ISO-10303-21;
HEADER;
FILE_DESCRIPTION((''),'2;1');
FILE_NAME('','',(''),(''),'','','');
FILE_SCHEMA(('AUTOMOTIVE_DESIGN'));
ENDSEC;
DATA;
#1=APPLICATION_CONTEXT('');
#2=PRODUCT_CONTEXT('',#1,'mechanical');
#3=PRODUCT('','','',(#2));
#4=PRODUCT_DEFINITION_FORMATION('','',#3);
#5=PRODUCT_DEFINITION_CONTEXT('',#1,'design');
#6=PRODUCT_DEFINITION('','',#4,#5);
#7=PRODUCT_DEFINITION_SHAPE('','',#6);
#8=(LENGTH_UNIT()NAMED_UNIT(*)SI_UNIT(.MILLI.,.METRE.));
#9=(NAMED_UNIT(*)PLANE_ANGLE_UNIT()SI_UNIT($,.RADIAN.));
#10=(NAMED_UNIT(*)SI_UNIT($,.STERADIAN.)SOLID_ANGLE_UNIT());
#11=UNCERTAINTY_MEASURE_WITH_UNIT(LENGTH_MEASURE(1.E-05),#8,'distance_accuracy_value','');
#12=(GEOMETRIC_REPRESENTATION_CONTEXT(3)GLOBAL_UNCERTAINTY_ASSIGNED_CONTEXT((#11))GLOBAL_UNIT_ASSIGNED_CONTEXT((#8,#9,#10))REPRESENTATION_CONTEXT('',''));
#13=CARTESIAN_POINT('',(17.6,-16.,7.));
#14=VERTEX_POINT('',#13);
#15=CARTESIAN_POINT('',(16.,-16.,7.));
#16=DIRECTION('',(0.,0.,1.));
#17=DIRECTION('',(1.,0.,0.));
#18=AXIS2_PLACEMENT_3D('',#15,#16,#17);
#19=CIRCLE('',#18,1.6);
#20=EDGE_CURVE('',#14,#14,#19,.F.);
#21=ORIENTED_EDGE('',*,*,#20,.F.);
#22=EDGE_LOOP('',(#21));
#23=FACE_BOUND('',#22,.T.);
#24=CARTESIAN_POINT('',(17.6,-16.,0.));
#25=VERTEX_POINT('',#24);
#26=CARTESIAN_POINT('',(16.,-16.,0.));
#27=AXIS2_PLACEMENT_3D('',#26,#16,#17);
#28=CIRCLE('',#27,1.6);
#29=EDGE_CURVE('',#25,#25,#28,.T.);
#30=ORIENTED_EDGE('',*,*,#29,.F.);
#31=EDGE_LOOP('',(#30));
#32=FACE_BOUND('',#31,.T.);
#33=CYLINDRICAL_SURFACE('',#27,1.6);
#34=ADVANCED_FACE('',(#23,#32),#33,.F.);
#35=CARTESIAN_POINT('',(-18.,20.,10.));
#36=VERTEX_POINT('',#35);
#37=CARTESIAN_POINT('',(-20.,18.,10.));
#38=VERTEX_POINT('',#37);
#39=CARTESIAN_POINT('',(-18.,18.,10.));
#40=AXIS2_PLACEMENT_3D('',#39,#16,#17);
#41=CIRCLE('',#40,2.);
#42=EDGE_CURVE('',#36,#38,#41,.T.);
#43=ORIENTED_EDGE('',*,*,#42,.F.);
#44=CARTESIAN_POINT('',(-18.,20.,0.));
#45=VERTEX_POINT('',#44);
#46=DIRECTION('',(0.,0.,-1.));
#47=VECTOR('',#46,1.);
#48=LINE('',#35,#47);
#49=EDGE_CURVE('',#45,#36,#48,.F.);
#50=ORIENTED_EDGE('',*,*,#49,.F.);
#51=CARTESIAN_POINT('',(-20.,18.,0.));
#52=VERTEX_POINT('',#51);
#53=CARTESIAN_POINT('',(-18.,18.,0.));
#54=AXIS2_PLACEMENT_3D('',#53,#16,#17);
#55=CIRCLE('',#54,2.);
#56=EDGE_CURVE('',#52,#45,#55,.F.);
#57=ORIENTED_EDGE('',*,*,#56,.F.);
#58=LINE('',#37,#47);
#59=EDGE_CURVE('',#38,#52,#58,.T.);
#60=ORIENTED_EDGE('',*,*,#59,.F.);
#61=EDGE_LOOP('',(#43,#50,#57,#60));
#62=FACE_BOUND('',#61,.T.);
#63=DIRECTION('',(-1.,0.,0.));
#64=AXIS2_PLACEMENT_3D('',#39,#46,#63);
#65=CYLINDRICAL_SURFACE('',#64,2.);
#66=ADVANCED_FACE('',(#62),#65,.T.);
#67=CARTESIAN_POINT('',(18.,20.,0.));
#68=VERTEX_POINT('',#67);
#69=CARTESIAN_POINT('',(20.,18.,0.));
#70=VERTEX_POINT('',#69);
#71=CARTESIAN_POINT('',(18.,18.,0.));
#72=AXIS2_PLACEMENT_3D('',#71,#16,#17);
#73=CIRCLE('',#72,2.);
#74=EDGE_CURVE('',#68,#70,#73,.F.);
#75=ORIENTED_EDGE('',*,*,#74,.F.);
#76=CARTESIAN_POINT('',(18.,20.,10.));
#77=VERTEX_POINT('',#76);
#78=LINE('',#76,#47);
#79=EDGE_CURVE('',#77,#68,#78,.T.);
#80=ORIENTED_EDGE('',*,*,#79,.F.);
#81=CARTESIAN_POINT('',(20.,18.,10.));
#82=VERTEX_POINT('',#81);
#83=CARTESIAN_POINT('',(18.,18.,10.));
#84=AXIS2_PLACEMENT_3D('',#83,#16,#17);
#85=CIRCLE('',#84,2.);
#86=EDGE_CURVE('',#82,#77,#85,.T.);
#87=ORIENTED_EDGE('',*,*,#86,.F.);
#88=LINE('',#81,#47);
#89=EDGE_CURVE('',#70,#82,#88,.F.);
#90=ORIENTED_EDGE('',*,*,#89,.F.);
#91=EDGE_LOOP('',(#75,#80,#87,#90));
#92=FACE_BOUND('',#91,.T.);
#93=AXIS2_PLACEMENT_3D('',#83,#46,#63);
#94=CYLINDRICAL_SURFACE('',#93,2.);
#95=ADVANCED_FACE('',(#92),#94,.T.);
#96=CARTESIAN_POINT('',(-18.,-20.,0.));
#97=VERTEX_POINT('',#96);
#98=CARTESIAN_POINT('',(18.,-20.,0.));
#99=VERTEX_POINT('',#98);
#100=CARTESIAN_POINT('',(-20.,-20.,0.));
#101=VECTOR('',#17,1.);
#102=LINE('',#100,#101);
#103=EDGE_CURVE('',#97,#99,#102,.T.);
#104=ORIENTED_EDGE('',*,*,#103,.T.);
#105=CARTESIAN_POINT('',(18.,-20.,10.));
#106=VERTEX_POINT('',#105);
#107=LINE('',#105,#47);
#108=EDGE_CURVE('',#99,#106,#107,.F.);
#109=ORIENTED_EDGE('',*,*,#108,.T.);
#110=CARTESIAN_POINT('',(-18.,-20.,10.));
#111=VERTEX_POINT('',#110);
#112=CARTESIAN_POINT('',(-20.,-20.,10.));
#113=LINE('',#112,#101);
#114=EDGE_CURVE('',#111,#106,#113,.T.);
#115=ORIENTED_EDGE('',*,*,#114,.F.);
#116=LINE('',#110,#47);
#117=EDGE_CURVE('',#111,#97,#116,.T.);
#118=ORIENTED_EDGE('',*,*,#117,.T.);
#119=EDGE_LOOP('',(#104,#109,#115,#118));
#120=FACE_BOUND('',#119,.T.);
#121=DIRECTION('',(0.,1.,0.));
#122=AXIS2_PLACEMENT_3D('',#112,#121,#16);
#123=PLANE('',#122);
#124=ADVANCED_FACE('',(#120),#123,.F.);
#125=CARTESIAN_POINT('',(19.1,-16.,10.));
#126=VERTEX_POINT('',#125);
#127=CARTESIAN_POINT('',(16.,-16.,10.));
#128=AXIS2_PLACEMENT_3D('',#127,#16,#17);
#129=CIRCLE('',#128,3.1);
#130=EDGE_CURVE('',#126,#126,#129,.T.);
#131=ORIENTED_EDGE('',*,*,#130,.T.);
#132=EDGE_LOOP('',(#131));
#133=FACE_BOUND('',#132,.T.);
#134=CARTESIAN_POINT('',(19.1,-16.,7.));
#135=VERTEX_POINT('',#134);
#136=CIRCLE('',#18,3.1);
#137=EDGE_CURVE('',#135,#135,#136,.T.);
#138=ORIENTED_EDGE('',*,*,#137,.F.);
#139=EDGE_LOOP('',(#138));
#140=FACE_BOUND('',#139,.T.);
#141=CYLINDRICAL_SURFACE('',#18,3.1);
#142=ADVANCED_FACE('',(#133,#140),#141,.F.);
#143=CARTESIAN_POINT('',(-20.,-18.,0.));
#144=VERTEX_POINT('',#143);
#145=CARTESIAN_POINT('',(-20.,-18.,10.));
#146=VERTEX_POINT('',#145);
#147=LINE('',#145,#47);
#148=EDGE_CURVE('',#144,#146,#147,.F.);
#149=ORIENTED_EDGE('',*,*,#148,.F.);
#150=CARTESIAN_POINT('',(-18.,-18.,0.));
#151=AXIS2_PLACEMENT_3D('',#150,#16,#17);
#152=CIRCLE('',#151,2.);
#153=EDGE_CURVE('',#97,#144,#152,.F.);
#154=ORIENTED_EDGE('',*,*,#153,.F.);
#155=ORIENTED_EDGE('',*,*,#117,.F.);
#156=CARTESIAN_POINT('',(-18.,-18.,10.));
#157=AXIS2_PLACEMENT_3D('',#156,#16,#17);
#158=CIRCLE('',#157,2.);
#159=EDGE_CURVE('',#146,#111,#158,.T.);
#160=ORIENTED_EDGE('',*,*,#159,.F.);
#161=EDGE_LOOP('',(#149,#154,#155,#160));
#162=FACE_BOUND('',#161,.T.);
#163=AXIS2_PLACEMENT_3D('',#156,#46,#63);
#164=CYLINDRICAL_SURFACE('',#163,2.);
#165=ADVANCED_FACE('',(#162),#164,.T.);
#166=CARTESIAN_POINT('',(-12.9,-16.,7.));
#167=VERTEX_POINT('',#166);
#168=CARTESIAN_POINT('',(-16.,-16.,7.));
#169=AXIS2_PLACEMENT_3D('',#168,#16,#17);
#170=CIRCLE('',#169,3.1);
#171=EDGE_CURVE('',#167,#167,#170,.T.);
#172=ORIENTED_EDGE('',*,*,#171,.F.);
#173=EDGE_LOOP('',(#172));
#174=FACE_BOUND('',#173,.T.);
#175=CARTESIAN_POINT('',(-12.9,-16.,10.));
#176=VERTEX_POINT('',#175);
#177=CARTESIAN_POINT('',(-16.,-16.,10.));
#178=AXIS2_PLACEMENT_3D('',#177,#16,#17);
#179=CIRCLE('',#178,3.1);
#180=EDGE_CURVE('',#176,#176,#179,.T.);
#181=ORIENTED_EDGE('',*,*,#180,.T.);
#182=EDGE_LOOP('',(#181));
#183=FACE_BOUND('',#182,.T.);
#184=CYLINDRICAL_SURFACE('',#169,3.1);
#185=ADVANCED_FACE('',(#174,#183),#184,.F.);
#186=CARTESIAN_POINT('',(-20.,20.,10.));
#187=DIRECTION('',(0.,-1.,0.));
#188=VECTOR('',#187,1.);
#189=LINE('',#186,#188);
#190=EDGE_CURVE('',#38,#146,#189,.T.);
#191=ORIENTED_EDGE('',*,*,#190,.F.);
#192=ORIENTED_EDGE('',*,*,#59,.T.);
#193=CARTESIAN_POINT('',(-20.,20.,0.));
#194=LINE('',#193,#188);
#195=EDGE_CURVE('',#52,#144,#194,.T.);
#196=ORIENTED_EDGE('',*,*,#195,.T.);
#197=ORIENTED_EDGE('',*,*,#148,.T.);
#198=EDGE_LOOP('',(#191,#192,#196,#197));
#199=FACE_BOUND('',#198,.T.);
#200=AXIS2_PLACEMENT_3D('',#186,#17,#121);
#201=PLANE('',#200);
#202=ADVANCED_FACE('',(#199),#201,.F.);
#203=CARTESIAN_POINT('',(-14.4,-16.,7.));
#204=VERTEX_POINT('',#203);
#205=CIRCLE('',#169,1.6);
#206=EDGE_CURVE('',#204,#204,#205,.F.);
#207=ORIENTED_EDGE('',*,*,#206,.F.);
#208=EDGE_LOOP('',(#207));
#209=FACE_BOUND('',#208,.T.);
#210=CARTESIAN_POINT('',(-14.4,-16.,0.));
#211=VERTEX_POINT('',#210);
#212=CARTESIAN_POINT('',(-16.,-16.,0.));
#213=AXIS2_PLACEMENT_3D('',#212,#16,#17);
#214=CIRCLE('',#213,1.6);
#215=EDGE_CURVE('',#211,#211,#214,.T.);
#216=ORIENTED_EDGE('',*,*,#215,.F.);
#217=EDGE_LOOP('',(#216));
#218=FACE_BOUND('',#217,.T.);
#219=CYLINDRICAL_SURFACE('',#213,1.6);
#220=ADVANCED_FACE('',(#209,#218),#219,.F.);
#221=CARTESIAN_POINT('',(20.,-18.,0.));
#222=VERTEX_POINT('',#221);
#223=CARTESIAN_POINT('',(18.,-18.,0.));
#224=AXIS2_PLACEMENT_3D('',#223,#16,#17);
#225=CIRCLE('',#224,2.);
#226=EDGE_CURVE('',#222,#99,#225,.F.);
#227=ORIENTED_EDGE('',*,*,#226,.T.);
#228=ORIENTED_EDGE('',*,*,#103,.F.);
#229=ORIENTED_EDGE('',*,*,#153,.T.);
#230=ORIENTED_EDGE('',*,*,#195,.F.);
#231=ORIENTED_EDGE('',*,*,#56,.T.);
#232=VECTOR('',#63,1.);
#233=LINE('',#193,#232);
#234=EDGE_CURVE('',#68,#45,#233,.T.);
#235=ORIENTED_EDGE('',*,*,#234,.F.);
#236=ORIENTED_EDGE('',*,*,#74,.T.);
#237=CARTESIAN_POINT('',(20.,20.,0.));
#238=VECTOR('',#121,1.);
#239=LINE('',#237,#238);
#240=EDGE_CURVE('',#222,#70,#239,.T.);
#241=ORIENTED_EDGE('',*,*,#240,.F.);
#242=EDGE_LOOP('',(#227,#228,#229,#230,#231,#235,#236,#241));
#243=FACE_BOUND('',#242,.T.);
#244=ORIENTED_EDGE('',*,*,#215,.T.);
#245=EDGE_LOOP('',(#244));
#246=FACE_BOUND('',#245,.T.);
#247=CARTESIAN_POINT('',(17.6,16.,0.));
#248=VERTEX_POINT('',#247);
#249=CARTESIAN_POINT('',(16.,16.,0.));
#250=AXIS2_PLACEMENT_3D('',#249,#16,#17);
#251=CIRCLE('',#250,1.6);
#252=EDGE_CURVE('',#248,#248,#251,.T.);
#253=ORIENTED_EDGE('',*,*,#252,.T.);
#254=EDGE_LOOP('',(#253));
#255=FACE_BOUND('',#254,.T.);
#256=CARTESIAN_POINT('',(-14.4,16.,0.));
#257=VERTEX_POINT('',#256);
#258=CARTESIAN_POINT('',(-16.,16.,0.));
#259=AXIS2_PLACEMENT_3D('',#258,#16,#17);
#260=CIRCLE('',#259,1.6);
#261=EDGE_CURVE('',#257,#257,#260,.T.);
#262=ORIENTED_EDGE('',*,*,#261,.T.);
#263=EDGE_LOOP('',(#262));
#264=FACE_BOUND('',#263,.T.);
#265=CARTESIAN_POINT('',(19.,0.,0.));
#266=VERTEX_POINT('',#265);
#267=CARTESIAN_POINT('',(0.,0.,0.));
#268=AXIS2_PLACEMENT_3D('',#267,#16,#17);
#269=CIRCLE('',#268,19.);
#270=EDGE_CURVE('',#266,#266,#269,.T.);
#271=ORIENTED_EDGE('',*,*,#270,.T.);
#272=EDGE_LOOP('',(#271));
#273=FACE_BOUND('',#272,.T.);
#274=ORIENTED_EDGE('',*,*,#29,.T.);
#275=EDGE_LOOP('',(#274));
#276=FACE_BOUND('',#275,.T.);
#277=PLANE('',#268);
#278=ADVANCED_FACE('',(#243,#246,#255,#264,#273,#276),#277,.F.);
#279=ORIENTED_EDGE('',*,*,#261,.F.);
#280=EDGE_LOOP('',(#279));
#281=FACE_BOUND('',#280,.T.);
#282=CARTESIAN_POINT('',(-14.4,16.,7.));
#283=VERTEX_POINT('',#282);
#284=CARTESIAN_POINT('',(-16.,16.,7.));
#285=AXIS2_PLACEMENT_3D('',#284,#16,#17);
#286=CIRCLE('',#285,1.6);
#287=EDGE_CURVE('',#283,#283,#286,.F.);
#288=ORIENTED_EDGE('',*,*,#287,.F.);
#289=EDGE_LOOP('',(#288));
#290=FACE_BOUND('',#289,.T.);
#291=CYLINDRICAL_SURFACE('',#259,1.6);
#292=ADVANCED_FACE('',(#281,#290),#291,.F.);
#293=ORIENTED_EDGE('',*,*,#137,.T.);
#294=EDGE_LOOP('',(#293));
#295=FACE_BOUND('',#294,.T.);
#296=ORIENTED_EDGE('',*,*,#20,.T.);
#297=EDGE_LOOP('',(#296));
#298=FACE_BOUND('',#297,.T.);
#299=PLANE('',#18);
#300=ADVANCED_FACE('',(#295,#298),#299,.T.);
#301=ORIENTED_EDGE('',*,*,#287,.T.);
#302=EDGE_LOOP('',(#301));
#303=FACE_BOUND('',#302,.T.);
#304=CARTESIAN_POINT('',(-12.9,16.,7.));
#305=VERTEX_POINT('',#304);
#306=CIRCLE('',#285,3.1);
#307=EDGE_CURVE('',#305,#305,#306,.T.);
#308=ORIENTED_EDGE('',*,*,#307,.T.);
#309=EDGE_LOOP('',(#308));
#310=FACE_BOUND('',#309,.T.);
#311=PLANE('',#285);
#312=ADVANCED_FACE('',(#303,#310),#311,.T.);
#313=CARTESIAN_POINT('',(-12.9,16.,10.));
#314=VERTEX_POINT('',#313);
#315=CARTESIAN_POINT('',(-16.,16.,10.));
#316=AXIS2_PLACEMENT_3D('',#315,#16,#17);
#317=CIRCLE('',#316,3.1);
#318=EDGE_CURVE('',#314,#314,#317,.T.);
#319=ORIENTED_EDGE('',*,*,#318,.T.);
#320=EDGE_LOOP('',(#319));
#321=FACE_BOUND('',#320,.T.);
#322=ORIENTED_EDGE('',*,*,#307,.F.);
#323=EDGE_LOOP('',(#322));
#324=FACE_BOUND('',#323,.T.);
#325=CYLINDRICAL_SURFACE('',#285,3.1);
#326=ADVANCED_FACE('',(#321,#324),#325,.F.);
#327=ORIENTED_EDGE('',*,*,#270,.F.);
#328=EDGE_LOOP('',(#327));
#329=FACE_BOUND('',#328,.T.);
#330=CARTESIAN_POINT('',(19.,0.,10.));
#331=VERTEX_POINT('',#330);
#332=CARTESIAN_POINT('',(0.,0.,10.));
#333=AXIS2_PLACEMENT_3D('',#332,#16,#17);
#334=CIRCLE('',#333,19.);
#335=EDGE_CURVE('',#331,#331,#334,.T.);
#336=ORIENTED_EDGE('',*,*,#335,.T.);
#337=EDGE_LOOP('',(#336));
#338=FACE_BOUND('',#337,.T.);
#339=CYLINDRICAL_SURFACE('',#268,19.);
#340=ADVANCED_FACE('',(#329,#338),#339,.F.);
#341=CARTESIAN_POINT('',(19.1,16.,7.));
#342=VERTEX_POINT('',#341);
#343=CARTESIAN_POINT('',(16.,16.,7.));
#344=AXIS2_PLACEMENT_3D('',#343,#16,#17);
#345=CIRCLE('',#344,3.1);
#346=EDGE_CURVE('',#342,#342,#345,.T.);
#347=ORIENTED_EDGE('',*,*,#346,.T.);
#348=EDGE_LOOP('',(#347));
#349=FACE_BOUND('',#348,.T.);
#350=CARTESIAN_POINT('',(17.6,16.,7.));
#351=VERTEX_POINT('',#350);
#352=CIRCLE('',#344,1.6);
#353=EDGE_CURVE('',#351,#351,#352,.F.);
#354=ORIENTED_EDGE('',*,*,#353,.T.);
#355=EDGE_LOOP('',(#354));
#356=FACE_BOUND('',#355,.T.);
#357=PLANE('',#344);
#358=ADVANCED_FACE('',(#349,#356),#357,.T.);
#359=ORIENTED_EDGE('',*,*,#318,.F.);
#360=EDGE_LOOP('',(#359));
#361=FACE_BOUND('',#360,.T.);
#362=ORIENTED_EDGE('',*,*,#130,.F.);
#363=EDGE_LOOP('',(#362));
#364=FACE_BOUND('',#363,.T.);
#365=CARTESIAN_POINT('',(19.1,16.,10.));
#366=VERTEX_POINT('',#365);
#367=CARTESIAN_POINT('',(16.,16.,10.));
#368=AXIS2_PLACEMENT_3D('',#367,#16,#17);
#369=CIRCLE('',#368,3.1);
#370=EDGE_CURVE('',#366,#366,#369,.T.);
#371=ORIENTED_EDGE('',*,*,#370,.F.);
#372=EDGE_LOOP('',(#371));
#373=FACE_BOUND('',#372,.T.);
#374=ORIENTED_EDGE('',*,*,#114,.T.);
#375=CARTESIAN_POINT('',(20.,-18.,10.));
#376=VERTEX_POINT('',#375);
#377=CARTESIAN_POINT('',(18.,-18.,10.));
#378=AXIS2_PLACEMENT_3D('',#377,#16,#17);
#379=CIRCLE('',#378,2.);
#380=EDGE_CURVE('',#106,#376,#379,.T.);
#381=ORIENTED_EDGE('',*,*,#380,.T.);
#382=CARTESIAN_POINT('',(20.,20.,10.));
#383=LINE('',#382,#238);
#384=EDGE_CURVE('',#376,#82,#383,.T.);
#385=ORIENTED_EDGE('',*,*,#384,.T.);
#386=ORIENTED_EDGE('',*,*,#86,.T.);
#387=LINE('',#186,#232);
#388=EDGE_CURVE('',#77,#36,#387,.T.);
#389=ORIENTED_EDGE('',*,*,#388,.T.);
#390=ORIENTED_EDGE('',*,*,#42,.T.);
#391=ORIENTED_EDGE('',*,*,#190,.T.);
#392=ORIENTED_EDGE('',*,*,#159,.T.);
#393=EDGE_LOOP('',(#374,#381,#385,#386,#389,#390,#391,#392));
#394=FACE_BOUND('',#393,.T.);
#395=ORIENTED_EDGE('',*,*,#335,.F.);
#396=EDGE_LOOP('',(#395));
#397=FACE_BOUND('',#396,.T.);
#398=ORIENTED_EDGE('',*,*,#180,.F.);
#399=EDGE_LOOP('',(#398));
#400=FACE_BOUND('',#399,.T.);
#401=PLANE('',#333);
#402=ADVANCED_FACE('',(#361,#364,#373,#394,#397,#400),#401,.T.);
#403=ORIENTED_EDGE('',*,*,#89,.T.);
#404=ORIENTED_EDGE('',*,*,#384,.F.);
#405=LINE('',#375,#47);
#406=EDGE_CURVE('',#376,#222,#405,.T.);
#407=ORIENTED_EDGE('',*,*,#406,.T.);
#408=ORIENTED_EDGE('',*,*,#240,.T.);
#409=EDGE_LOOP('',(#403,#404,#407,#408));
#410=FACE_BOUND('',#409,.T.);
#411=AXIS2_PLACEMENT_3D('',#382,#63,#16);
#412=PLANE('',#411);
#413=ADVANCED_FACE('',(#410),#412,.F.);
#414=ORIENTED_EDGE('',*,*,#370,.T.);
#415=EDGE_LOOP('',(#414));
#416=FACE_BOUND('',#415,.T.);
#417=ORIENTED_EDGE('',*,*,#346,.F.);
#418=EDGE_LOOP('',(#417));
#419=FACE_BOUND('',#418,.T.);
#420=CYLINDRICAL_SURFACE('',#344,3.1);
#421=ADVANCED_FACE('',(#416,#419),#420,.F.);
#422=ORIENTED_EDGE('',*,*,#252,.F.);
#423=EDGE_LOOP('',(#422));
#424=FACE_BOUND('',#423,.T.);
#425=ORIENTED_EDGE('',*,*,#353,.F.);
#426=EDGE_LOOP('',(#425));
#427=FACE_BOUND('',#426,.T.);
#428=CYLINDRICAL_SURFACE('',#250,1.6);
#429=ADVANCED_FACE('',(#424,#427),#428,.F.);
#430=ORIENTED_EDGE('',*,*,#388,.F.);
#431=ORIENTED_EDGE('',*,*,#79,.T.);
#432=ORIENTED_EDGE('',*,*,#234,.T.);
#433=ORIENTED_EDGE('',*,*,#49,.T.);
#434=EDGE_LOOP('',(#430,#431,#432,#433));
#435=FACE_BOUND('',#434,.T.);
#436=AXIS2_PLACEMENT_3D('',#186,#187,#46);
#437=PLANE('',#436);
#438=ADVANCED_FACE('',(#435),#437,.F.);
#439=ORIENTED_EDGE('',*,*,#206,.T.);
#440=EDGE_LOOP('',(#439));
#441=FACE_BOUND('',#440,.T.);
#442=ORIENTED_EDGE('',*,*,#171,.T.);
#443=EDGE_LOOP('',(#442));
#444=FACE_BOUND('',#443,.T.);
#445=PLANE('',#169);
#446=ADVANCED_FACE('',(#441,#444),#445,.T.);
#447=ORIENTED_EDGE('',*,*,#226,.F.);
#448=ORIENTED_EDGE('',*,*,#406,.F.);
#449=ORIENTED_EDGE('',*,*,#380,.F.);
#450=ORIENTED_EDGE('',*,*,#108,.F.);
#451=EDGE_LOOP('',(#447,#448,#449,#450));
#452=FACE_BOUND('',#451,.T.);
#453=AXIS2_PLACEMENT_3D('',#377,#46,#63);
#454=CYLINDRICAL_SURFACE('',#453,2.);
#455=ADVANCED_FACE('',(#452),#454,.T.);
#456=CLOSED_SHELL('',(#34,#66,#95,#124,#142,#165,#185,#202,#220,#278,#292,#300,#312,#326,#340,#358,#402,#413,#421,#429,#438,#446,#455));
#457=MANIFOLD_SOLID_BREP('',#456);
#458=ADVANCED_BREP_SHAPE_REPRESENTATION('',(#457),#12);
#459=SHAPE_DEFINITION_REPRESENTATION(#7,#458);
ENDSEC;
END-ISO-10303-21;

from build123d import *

# Parameters (mm, degrees)
SKETCH1_W           = 40
SKETCH1_H           = 40
BOSS_EXTRUDE1_DEPTH = 10
SKETCH2_R           = 19
SKETCH2_R_2         = 1.6
CUT_EXTRUDE1_DEPTH  = 11
FILLET1_R           = 2
SKETCH3_R           = 3.1
CUT_EXTRUDE2_DEPTH  = 3


with BuildPart() as part:
    # Sketch1 → Boss-Extrude1 (new body)
    with BuildSketch(Plane.XY):
        Rectangle(SKETCH1_W, SKETCH1_H)
    extrude(amount=BOSS_EXTRUDE1_DEPTH)

    # Sketch2 → Cut-Extrude1 (cut, through all)
    with BuildSketch(Plane.XY.offset(10)):
        Circle(SKETCH2_R)
        with Locations((-16, 16)):
            Circle(SKETCH2_R_2)
        with Locations((16, 16)):
            Circle(SKETCH2_R_2)
        with Locations((16, -16)):
            Circle(SKETCH2_R_2)
        with Locations((-16, -16)):
            Circle(SKETCH2_R_2)
    extrude(amount=-CUT_EXTRUDE1_DEPTH, mode=Mode.SUBTRACT)

    # Fillet1
    fillet1_edges = [part.edges().sort_by_distance(p)[0] for p in [
        (20, -20, 5),
        (-20, -20, 5),
        (-20, 20, 5),
        (20, 20, 5),
    ]]
    fillet(fillet1_edges, radius=FILLET1_R)

    # Sketch3 → Cut-Extrude2 (cut)
    with BuildSketch(Plane.XY.offset(10)):
        with Locations((-16, -16)):
            Circle(SKETCH3_R)
        with Locations((16, -16)):
            Circle(SKETCH3_R)
        with Locations((16, 16)):
            Circle(SKETCH3_R)
        with Locations((-16, 16)):
            Circle(SKETCH3_R)
    extrude(amount=-CUT_EXTRUDE2_DEPTH, mode=Mode.SUBTRACT)


solid = part.part
